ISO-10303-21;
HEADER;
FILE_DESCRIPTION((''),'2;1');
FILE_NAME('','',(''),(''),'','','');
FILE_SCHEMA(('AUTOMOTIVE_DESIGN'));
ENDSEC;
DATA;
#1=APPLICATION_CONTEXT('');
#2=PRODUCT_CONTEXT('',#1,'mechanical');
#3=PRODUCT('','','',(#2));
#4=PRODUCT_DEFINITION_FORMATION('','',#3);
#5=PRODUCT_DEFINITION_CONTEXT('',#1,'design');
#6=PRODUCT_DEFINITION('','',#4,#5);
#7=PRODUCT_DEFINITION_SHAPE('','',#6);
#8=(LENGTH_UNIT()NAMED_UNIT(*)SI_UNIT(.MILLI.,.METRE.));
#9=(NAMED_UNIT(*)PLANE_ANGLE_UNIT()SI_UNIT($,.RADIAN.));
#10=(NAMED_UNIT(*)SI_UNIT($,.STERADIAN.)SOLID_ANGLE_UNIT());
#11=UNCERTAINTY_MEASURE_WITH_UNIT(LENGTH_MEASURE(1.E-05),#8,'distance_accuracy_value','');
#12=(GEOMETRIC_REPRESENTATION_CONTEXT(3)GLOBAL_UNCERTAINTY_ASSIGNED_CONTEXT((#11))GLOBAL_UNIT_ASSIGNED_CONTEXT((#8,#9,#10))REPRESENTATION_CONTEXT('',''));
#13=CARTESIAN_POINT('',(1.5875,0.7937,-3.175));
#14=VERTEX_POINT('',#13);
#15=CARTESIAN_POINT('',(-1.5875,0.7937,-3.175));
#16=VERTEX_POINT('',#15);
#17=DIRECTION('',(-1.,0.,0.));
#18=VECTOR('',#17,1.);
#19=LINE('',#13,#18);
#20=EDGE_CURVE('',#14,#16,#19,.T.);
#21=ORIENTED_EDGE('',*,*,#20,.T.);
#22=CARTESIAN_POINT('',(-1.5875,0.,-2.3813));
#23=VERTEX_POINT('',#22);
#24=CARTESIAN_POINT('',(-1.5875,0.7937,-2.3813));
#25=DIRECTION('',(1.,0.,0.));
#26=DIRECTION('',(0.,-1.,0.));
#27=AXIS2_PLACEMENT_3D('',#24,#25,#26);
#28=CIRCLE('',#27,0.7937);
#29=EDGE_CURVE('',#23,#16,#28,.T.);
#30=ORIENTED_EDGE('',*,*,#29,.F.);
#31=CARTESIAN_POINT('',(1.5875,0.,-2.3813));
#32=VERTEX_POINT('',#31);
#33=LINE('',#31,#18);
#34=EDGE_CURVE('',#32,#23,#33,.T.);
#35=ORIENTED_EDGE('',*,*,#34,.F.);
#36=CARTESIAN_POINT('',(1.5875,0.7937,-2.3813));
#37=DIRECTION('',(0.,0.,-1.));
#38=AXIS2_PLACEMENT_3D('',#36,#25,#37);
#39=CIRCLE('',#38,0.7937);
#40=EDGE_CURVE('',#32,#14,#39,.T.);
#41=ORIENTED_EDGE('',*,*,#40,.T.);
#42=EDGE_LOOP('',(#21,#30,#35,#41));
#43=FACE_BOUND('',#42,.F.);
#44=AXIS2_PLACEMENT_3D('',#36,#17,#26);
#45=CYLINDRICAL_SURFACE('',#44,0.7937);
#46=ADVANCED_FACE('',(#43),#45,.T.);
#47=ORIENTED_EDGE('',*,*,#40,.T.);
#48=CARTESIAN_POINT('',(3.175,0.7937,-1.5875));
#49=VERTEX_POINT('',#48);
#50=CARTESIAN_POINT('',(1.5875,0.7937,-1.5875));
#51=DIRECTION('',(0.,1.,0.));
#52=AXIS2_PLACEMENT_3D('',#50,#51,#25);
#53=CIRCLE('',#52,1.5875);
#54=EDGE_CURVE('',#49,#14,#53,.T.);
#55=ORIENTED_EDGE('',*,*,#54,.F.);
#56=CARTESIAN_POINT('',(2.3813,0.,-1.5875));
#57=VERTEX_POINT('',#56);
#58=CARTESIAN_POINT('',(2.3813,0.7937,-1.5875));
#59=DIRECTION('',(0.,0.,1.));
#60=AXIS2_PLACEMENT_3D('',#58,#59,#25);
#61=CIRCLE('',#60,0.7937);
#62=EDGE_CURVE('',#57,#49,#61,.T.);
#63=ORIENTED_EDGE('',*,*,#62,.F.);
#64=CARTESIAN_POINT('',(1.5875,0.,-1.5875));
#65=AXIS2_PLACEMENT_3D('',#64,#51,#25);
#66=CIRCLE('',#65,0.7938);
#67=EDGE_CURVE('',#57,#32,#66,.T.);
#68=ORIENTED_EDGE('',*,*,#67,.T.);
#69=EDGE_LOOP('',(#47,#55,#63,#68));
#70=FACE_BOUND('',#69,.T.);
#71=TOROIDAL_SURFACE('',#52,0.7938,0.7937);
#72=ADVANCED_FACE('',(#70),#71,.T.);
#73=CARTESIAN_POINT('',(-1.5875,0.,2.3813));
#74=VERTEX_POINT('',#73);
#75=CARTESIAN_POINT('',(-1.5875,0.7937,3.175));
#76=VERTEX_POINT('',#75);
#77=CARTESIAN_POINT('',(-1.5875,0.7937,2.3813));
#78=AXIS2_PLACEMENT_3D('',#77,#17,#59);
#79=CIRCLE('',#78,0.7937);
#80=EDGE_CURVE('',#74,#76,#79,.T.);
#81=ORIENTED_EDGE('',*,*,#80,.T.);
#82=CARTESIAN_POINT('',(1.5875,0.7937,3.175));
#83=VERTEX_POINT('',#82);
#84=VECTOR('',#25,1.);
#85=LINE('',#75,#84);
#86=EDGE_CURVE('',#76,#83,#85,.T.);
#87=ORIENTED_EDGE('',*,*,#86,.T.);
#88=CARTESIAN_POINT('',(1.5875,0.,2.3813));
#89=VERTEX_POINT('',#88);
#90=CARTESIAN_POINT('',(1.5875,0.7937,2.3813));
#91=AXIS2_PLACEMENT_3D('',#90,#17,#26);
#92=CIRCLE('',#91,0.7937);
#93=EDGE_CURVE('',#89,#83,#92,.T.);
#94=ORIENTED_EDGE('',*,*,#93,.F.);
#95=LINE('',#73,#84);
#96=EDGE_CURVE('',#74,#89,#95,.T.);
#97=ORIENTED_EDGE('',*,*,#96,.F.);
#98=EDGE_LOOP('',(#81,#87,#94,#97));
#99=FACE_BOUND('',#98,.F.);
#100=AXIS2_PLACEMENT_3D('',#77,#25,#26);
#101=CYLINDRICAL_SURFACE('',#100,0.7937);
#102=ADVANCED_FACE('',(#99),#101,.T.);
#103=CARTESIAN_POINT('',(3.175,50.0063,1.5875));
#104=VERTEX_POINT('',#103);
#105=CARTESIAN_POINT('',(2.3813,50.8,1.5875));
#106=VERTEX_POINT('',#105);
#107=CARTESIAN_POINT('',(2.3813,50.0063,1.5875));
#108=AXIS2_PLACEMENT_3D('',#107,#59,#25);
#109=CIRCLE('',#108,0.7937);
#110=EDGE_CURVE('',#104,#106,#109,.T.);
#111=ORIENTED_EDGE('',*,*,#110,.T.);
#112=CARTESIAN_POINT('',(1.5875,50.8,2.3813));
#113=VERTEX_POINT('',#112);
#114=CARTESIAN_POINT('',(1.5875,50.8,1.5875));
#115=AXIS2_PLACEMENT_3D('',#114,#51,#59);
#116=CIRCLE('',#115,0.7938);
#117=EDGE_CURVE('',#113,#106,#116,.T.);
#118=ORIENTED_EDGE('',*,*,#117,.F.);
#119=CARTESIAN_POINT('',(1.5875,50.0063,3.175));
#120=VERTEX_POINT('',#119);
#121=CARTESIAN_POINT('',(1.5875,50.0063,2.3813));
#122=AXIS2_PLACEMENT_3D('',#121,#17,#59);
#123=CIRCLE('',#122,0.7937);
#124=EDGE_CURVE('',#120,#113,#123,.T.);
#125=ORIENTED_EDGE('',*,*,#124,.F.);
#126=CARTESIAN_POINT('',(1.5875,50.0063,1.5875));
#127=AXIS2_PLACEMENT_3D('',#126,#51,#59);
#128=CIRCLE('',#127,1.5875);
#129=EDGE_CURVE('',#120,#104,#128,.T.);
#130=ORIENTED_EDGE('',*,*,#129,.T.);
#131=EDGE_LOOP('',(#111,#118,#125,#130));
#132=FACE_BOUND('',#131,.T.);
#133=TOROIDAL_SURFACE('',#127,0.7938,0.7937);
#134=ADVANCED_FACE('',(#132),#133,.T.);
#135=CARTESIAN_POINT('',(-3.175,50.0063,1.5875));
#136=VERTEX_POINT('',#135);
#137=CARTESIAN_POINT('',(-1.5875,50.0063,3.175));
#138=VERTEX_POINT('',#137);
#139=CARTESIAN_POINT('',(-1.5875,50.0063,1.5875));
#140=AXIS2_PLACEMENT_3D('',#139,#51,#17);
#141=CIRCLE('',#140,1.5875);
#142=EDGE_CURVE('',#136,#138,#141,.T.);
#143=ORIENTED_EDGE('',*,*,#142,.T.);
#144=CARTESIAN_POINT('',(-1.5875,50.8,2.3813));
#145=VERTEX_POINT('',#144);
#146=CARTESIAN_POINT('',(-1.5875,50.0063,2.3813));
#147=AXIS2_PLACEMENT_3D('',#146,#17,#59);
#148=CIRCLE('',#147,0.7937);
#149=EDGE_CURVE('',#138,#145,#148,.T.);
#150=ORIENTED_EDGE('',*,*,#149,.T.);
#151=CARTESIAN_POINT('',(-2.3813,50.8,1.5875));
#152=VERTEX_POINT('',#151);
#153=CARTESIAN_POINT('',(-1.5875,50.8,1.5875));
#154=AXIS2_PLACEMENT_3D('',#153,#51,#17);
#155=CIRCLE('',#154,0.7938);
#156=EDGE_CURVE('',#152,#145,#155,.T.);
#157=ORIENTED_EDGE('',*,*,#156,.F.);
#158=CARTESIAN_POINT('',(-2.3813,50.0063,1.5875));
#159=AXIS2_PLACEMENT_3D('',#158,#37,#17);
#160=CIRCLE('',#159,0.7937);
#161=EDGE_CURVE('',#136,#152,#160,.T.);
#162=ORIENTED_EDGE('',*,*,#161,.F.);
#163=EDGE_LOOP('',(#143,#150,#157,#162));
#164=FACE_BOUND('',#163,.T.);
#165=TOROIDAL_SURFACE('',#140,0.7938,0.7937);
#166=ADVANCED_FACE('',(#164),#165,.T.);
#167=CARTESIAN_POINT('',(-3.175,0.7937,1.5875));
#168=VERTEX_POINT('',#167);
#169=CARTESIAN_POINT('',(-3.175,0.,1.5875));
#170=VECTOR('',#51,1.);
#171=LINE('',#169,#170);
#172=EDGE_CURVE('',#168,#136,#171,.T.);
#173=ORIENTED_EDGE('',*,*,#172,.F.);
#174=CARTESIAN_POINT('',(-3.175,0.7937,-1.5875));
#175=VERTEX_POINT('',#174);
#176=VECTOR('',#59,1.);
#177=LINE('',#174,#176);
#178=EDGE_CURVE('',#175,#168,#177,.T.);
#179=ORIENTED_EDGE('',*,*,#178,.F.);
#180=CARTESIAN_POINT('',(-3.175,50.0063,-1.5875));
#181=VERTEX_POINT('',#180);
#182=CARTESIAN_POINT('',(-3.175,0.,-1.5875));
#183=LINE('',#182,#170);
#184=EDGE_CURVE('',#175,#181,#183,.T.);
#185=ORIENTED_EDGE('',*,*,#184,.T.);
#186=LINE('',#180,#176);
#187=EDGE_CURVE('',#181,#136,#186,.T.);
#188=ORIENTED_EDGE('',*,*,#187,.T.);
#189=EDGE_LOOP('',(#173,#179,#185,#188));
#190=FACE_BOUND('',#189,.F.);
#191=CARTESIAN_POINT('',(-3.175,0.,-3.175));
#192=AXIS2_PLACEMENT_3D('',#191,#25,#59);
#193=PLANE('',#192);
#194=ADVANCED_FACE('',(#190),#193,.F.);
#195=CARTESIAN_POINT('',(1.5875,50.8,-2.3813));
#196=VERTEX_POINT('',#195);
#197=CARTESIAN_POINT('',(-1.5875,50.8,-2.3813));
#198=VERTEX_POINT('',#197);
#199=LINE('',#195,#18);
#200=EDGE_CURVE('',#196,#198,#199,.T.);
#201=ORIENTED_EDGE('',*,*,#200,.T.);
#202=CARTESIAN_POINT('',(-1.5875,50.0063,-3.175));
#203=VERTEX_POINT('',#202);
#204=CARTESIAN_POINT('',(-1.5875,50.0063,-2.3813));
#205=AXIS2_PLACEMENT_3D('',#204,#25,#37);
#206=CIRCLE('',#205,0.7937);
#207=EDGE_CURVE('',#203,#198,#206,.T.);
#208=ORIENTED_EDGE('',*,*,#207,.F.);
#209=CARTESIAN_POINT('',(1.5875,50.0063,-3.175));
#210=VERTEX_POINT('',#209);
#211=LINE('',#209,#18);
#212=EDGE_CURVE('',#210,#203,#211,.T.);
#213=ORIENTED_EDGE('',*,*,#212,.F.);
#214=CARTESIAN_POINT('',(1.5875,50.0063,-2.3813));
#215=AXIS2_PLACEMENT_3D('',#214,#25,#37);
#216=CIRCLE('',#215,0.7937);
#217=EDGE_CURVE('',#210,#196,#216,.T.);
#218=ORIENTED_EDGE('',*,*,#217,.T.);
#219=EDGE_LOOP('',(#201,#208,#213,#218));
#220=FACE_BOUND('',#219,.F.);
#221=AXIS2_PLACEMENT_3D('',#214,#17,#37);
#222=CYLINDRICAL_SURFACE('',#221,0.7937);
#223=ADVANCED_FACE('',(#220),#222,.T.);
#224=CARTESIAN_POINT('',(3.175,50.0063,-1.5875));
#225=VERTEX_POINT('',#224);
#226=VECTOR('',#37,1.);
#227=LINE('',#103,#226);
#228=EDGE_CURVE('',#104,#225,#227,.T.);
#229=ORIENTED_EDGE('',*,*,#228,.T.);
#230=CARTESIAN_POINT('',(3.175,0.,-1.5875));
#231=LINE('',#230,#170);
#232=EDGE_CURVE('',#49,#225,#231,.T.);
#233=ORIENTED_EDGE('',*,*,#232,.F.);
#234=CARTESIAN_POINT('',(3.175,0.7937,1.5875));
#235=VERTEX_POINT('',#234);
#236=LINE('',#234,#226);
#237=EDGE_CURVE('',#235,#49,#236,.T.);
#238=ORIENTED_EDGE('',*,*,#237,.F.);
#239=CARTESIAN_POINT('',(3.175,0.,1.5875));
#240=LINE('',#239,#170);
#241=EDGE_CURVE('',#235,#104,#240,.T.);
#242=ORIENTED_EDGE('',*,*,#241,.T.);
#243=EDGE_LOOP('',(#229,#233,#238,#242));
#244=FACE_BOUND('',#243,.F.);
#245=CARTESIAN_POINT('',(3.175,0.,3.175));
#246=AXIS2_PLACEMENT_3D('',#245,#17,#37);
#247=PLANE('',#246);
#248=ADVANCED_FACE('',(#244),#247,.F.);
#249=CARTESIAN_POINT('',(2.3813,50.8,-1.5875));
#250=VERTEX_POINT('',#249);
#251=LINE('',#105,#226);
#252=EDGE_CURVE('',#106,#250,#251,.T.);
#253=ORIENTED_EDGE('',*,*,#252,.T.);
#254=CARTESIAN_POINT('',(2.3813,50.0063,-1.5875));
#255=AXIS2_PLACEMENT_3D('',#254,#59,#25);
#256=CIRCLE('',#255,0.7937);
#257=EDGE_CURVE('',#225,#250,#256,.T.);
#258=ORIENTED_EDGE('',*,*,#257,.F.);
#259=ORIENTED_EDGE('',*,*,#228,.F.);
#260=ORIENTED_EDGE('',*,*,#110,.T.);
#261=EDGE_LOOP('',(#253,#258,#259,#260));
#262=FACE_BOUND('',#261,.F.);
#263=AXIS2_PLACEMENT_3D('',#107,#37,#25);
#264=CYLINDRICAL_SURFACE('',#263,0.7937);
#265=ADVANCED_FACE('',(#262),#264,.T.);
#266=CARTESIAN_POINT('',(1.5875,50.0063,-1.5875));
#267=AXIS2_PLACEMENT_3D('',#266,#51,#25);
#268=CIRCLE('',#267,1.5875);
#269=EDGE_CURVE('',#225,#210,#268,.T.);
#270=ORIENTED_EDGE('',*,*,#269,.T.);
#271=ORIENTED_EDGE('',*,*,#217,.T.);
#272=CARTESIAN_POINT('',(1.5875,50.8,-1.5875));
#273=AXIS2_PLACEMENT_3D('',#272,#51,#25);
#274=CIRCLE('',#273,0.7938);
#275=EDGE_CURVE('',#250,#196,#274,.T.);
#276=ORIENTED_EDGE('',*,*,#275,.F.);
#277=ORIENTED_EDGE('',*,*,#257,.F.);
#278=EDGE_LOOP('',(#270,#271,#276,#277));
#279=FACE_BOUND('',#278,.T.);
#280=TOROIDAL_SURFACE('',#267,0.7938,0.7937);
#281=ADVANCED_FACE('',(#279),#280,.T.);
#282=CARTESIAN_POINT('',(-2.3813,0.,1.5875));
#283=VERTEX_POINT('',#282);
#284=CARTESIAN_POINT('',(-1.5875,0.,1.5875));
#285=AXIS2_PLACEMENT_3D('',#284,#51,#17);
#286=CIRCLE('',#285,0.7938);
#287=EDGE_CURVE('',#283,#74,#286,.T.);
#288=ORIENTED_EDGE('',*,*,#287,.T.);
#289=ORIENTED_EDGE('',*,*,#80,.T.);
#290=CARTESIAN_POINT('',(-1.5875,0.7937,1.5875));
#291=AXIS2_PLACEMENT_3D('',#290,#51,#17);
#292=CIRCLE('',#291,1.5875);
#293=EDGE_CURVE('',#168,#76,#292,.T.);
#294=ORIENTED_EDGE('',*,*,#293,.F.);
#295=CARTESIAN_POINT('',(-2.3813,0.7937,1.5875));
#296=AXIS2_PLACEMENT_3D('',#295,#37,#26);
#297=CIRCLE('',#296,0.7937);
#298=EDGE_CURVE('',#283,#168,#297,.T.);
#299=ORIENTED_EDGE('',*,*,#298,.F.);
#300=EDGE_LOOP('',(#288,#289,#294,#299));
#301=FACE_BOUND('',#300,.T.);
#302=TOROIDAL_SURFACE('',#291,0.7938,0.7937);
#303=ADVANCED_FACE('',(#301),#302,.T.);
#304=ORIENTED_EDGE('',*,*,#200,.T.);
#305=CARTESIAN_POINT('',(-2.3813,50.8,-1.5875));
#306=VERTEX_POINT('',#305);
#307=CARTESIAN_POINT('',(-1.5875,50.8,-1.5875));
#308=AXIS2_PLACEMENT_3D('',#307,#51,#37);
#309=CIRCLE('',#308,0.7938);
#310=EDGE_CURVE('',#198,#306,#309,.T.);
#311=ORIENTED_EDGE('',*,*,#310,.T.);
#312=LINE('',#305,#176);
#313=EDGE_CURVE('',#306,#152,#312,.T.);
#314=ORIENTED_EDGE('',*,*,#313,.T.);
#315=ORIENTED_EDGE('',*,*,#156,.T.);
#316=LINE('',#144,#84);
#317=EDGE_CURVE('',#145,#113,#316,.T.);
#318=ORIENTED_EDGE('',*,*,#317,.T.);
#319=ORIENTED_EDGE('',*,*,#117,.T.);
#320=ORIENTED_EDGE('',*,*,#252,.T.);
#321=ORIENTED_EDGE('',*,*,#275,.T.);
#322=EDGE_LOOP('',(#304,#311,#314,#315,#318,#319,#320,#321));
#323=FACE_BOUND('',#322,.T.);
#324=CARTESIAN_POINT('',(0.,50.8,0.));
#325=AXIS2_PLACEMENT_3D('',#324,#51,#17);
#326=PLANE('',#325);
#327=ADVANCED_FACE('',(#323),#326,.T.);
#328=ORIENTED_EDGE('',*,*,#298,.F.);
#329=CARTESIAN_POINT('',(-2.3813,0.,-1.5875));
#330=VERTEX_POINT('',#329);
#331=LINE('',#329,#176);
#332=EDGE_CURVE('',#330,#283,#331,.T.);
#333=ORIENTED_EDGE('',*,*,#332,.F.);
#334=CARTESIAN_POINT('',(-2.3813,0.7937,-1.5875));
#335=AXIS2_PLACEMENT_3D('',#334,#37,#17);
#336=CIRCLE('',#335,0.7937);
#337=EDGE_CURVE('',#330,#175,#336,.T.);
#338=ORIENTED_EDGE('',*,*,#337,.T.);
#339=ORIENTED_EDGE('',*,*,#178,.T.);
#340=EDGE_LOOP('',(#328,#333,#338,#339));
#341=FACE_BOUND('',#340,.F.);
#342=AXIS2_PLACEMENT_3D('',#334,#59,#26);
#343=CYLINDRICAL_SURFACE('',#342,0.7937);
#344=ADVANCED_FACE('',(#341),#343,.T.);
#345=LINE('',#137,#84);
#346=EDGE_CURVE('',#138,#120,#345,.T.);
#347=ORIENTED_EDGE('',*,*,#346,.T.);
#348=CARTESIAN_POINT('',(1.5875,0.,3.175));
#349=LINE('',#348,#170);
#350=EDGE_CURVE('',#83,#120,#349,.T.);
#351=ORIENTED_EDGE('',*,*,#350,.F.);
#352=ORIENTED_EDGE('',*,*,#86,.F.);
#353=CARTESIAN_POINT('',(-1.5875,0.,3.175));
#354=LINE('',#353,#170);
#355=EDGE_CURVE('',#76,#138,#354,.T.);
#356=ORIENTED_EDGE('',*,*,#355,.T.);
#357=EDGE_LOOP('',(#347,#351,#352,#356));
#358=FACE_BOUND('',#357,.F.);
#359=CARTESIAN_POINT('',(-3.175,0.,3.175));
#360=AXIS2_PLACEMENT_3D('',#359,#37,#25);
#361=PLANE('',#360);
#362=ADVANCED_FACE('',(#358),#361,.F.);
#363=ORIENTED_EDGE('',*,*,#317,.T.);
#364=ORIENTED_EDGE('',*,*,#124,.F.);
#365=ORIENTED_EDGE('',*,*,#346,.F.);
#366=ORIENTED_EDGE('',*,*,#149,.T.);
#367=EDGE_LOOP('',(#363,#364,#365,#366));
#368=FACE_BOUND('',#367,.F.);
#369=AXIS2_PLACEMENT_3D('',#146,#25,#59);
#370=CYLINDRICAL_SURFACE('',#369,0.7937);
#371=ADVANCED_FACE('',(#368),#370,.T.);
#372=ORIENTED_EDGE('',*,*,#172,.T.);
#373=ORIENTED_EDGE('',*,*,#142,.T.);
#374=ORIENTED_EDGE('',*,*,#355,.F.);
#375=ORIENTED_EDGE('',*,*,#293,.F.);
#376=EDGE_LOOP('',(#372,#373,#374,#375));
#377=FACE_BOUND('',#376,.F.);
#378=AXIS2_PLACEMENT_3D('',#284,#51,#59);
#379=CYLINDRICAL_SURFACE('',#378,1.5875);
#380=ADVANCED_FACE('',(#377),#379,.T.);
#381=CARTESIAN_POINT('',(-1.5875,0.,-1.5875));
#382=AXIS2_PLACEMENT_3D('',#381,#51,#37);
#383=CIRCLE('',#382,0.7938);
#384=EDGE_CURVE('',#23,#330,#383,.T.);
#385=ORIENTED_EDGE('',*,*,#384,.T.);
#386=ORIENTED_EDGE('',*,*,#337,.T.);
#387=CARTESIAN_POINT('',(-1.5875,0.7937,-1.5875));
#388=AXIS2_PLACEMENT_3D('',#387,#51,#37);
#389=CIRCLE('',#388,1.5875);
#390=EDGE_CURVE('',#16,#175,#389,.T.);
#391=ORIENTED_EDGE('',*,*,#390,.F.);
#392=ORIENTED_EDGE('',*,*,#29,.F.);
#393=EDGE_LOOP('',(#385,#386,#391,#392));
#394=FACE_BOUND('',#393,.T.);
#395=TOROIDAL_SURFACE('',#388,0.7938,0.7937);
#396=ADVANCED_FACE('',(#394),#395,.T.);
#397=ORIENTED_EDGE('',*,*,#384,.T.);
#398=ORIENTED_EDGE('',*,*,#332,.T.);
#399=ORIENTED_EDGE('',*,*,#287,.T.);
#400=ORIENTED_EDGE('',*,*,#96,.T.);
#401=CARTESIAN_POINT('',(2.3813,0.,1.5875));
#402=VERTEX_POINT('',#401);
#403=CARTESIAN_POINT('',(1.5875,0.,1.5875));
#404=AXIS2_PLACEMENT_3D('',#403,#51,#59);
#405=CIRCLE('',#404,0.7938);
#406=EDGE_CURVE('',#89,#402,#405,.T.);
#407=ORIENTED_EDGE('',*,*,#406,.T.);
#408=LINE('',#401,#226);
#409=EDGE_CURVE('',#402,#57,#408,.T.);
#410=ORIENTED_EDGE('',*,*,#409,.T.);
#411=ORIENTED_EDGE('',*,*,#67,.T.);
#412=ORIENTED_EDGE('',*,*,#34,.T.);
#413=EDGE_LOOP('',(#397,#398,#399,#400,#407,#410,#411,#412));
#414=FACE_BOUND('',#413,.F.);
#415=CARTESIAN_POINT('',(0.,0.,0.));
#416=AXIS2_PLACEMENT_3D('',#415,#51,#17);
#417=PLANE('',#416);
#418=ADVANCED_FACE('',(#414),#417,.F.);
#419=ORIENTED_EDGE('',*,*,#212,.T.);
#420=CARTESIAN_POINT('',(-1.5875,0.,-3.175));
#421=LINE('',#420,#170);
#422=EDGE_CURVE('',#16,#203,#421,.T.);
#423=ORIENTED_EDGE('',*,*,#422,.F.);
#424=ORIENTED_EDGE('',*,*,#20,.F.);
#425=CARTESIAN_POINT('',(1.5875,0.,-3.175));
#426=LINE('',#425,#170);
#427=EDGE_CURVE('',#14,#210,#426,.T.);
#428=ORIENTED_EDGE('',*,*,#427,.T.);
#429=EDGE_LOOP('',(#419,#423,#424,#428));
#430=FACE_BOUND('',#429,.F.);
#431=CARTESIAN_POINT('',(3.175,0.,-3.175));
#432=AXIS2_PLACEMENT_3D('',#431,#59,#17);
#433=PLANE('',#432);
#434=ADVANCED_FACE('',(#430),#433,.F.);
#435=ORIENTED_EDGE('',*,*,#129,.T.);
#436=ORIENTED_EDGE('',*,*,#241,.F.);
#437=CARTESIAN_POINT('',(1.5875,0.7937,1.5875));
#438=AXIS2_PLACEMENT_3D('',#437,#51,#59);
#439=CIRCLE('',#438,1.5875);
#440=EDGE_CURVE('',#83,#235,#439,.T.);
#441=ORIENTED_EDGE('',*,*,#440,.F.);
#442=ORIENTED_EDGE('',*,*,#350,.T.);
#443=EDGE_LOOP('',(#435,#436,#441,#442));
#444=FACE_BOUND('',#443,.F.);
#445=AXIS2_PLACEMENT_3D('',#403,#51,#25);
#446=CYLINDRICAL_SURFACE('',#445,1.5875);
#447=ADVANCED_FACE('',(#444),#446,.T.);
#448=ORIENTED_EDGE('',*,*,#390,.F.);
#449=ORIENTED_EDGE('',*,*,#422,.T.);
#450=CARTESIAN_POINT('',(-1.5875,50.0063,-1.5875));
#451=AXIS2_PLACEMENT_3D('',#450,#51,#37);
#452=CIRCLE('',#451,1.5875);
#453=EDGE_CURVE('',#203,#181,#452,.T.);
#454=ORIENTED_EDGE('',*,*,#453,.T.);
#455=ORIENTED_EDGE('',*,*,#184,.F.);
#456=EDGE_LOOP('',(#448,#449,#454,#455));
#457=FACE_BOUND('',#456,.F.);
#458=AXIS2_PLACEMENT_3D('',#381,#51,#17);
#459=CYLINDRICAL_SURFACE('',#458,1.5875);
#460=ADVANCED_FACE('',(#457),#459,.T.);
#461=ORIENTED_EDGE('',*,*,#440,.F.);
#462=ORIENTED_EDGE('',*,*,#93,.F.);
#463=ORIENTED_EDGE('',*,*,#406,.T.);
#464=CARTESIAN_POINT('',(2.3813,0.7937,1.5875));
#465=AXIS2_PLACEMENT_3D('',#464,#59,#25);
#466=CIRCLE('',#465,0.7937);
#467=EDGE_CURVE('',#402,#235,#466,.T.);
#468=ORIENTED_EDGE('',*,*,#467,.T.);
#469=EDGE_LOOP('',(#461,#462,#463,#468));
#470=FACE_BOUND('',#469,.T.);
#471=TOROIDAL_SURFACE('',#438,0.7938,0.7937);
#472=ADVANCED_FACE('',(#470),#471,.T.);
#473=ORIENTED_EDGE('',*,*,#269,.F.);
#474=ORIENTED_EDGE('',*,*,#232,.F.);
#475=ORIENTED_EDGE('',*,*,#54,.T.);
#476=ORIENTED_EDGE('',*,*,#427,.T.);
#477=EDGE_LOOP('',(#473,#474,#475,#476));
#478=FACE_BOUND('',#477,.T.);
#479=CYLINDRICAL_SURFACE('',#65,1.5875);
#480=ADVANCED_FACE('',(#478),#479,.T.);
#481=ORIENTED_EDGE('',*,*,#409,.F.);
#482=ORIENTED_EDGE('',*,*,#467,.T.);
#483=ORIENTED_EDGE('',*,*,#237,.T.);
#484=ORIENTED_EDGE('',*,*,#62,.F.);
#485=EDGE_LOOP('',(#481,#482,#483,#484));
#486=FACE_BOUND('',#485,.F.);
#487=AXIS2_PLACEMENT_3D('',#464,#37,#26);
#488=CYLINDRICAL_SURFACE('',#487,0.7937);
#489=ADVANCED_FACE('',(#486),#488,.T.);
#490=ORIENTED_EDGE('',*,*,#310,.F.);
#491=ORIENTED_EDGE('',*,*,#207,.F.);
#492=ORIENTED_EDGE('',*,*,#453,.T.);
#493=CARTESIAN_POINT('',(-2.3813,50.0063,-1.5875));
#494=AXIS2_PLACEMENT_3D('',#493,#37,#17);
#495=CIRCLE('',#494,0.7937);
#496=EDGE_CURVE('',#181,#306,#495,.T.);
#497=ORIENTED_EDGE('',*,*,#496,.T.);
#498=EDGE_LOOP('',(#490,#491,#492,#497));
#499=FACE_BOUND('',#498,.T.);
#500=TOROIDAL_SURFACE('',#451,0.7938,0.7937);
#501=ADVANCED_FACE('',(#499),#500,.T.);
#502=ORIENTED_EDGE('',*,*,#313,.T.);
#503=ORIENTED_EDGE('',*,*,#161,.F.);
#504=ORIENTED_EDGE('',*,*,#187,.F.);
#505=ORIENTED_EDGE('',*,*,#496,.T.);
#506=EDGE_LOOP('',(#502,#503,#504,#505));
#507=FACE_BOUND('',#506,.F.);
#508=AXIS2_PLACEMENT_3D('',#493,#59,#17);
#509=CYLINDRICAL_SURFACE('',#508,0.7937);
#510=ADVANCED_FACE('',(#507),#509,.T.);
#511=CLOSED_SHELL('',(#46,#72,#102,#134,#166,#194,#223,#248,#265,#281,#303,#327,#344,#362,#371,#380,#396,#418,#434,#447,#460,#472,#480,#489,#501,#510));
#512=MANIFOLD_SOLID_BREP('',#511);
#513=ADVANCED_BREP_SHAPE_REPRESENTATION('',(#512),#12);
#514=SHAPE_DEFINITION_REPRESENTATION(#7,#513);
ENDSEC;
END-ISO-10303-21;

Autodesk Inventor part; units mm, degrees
ref_plane "YZ Plane" through (0, 0, 0) normal (1, 0, 0) x (0, 1, 0)
ref_plane "XZ Plane" through (0, 0, 0) normal (0, 1, 0) x (-1, 0, 0)
ref_plane "XY Plane" through (0, 0, 0) normal (0, 0, 1) x (1, 0, 0)
sketch "Sketch1" plane through (0, 0, 0) normal (0, 1, 0) x (-1, 0, 0)
  line L0 (-3.175, -3.175) -> (3.175, -3.175)
  line L1 (3.175, -3.175) -> (3.175, 3.175)
  line L2 (3.175, 3.175) -> (-3.175, 3.175)
  line L3 (-3.175, 3.175) -> (-3.175, -3.175)
  line L4 (-3.175, -3.175) -> (3.175, 3.175) construction
  line L5 (3.175, -3.175) -> (-3.175, 3.175) construction
  point P0 (0, 0)
  dimension "d0" = 6.35
  dimension "d1" = 6.35
extrude "Extrusion1" add sketch "Sketch1" along normal blind 50.8
fillet "Fillet1" radius 1.5875 4 edges at (3.175, 25.4, -3.175) (3.175, 25.4, 3.175) (-3.175, 25.4, -3.175) (-3.175, 25.4, 3.175)
fillet "Fillet2" radius 0.7937 16 edges at (2.71, 0, -2.71) (0, 0, -3.175) (-2.71, 0, -2.71) (-3.175, 0, 0) (-2.71, 0, 2.71) (0, 0, 3.175) (2.71, 0, 2.71) (3.175, 0, 0) (2.71, 50.8, -2.71) (0, 50.8, -3.175) (-2.71, 50.8, -2.71) (-3.175, 50.8, 0) (-2.71, 50.8, 2.71) (0, 50.8, 3.175) (2.71, 50.8, 2.71) (3.175, 50.8, 0)
properties part number "2 inch" material "Stainless Steel"
